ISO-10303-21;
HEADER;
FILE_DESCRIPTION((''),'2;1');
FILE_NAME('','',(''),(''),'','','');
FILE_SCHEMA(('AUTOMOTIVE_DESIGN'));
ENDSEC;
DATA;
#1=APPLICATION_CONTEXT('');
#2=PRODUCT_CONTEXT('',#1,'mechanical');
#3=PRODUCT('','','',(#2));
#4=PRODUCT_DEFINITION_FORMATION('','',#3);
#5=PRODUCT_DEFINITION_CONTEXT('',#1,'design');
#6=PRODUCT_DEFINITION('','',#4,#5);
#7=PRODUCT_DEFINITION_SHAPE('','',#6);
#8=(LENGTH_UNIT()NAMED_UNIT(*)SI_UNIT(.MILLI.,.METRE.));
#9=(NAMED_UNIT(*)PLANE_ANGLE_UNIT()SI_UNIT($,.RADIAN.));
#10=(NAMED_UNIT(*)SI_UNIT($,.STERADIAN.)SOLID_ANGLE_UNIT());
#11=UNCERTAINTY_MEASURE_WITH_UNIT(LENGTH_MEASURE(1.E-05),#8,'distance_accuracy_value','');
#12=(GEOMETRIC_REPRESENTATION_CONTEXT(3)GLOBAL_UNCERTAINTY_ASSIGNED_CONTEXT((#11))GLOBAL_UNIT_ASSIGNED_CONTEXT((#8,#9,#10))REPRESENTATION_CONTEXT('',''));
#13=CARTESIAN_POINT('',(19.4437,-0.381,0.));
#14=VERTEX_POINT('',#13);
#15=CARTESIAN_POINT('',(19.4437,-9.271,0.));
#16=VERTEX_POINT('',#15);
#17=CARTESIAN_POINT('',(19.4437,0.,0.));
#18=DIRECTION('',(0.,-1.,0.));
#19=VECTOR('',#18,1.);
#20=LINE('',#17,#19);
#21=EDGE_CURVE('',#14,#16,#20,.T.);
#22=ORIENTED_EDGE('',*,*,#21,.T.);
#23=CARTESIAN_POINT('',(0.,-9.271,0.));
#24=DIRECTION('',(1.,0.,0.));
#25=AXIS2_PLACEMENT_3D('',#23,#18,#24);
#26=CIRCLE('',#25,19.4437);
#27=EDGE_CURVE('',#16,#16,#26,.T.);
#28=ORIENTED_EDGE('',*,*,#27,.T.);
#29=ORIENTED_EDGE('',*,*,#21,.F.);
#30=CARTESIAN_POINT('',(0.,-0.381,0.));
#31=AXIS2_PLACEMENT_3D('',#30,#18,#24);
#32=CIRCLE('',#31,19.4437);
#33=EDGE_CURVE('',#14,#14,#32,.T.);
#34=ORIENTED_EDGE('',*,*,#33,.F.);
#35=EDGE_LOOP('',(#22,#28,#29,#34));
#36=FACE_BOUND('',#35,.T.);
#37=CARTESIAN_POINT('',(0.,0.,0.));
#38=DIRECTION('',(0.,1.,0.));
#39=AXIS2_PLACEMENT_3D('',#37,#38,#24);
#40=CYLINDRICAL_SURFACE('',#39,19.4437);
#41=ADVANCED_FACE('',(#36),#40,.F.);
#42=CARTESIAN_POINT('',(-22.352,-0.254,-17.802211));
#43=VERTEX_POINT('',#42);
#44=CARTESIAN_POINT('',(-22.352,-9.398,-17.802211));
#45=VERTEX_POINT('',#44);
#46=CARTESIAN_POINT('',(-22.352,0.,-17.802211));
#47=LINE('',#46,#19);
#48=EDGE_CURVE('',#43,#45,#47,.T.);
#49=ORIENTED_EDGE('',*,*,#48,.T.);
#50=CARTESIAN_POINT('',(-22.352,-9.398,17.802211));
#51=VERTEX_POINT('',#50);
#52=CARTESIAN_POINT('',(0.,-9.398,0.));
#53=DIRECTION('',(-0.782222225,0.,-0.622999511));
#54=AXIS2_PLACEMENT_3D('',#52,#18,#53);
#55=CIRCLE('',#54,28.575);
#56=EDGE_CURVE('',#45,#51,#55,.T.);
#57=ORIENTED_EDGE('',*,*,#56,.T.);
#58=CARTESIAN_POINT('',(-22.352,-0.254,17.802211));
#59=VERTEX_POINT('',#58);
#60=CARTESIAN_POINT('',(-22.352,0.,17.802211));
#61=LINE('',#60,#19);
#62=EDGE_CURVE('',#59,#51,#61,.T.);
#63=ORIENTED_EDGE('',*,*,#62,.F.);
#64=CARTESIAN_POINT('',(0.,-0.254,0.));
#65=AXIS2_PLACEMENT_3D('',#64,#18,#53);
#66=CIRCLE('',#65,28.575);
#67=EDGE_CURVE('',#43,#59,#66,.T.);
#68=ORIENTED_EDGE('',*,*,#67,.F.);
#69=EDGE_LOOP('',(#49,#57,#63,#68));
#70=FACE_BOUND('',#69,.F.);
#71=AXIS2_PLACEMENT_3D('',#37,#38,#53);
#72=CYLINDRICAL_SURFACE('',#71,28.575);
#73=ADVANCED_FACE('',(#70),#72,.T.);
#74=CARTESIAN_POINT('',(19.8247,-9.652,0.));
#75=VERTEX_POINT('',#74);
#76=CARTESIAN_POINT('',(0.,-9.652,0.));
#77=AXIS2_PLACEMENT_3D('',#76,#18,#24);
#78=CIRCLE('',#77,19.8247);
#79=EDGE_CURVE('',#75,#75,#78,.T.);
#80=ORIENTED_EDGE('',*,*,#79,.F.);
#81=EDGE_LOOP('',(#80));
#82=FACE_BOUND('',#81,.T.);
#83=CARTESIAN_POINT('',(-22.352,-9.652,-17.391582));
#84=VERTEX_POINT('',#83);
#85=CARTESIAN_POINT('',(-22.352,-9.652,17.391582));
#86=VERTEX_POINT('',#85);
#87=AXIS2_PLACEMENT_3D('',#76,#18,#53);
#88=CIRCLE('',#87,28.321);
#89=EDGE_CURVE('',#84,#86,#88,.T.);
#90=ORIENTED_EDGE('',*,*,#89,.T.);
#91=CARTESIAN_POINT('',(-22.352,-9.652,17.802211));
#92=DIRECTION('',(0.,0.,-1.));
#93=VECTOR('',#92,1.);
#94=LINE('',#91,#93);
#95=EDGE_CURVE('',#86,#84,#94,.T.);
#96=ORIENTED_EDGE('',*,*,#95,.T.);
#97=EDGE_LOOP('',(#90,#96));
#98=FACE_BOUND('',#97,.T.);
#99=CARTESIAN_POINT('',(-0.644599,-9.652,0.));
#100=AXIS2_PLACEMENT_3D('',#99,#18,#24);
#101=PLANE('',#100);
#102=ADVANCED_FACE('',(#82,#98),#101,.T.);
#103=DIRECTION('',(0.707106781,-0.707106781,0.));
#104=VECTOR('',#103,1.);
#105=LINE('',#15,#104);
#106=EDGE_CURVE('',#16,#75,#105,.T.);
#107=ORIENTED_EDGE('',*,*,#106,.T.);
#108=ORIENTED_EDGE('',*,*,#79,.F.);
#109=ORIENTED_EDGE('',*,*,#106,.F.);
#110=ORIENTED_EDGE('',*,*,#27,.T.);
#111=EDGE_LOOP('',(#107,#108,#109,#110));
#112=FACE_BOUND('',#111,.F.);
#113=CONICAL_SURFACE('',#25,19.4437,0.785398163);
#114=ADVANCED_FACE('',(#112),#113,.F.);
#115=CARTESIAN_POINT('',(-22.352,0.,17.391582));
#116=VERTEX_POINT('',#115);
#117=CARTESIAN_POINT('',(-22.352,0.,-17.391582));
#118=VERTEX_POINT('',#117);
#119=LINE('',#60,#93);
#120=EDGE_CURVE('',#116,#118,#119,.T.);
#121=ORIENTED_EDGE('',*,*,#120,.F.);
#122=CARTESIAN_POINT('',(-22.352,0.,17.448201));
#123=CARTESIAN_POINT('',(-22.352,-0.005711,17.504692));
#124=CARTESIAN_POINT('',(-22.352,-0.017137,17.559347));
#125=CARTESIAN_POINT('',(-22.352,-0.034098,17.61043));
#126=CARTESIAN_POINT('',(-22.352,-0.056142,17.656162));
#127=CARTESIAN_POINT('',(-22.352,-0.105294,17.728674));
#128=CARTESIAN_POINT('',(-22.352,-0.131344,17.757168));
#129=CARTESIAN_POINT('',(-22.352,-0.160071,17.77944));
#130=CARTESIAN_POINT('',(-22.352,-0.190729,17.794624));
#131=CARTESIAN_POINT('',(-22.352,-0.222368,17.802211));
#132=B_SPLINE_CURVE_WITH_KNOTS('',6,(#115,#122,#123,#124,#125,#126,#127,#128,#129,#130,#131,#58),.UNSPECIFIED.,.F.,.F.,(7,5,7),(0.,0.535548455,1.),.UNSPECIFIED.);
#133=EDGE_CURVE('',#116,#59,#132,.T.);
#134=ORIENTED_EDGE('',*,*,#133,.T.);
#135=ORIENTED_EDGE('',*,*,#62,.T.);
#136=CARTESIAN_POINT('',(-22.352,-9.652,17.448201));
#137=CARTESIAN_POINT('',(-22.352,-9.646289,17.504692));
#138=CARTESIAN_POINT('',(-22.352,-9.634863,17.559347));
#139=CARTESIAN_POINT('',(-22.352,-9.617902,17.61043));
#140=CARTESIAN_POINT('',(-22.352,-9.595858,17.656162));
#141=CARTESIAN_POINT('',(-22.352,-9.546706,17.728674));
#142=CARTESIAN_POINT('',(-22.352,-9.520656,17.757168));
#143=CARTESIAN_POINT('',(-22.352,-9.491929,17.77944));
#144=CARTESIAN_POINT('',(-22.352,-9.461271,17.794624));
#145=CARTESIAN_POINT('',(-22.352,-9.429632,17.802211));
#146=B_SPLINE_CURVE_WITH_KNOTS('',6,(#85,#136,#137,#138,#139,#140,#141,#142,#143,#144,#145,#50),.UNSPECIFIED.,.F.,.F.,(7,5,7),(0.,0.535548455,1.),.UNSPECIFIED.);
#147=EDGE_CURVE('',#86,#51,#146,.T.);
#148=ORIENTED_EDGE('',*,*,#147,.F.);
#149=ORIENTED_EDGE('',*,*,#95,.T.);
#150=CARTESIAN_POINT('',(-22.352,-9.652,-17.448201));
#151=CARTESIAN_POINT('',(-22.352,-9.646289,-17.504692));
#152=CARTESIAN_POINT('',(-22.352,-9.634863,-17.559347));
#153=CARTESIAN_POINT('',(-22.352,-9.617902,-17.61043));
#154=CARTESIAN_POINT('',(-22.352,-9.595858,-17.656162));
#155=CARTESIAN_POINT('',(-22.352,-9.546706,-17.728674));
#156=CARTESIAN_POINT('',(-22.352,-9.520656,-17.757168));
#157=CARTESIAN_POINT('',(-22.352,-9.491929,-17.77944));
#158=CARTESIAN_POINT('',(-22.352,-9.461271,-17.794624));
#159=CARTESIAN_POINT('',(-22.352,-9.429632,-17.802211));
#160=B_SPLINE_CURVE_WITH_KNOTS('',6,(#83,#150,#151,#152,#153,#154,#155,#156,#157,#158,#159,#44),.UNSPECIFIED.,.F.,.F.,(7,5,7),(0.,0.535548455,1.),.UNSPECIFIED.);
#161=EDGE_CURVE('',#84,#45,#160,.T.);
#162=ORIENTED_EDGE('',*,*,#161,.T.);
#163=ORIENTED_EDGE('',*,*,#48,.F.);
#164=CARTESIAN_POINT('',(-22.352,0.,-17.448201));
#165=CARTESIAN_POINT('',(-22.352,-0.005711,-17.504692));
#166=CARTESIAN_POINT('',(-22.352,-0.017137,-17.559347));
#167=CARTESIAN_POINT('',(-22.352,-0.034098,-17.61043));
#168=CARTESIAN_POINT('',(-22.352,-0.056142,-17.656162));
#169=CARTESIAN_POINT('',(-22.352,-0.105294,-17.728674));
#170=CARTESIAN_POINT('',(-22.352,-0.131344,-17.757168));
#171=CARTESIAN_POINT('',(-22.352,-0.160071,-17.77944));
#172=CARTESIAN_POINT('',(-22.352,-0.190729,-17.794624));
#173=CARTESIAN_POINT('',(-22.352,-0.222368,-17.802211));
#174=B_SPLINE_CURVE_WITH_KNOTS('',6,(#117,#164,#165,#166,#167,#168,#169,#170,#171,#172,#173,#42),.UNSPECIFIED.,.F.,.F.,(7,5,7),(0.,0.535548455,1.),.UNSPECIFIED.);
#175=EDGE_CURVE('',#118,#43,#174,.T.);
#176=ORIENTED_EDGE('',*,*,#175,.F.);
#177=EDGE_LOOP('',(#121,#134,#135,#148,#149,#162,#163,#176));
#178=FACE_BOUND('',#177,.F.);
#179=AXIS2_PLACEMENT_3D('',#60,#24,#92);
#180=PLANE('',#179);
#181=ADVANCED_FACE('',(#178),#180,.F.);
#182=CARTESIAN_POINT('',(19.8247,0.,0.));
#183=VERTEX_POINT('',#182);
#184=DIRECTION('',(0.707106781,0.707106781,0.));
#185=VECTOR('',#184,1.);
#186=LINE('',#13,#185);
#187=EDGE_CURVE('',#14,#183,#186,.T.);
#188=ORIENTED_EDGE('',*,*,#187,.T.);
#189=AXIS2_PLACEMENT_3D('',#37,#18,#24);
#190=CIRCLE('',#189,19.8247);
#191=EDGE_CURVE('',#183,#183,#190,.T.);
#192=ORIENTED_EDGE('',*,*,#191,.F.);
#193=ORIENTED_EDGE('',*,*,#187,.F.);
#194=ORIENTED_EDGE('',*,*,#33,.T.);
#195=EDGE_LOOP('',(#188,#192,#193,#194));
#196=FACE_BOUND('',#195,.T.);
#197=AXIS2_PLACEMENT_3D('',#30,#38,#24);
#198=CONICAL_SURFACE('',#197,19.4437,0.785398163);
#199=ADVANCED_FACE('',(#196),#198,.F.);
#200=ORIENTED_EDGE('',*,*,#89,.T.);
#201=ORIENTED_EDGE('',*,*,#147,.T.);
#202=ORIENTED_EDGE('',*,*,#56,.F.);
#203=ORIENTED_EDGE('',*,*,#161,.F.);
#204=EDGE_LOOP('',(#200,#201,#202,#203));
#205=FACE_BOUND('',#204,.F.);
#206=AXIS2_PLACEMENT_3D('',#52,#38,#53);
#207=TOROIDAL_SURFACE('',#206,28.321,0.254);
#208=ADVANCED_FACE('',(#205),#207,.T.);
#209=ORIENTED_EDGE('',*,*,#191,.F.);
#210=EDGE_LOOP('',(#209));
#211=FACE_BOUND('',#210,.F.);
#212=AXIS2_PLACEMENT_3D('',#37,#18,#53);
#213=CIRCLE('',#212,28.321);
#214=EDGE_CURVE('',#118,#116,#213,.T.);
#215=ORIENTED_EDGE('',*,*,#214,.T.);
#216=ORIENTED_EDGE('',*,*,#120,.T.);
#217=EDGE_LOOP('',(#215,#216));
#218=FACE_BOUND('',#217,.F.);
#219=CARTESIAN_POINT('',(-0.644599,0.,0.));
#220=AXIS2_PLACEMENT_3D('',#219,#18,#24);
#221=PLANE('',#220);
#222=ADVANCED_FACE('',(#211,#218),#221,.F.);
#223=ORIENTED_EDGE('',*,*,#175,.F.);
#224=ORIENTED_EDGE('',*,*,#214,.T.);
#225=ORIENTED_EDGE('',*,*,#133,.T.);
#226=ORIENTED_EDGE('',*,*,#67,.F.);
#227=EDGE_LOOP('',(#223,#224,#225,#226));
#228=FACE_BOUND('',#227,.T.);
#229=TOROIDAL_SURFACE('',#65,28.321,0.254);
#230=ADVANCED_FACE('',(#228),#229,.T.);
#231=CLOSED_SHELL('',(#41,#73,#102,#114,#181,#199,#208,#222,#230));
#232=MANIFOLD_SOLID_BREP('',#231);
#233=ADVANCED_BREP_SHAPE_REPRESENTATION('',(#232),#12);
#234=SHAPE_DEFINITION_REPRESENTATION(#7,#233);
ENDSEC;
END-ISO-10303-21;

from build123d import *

# Parameters (mm, degrees)
F0_R     = 19.4437
F1_DEPTH = 9.652
F2_SIZE  = 0.381
F3_R     = 0.254


with BuildPart() as f1:
    # F0 (on Front) → F1 (new body)
    with BuildSketch(Plane.XZ):
        with BuildLine():
            Line((-22.352, 17.802211), (-22.352, -17.802211))
            ThreePointArc((-22.352, -17.802211), (28.575, 0), (-22.352, 17.802211))
        make_face()
        Circle(F0_R, mode=Mode.SUBTRACT)
    extrude(amount=F1_DEPTH)

    # F2
    f2_edges = [f1.edges().sort_by_distance(p)[0] for p in [
        (-19.4437, -9.652, 0),
        (-19.4437, 0, 0),
    ]]
    chamfer(f2_edges, length=F2_SIZE)

    # F3
    f3_edges = [f1.edges().sort_by_distance(p)[0] for p in [
        (28.575, -9.652, 0),
        (28.575, 0, 0),
    ]]
    fillet(f3_edges, radius=F3_R)


solid = f1.part
